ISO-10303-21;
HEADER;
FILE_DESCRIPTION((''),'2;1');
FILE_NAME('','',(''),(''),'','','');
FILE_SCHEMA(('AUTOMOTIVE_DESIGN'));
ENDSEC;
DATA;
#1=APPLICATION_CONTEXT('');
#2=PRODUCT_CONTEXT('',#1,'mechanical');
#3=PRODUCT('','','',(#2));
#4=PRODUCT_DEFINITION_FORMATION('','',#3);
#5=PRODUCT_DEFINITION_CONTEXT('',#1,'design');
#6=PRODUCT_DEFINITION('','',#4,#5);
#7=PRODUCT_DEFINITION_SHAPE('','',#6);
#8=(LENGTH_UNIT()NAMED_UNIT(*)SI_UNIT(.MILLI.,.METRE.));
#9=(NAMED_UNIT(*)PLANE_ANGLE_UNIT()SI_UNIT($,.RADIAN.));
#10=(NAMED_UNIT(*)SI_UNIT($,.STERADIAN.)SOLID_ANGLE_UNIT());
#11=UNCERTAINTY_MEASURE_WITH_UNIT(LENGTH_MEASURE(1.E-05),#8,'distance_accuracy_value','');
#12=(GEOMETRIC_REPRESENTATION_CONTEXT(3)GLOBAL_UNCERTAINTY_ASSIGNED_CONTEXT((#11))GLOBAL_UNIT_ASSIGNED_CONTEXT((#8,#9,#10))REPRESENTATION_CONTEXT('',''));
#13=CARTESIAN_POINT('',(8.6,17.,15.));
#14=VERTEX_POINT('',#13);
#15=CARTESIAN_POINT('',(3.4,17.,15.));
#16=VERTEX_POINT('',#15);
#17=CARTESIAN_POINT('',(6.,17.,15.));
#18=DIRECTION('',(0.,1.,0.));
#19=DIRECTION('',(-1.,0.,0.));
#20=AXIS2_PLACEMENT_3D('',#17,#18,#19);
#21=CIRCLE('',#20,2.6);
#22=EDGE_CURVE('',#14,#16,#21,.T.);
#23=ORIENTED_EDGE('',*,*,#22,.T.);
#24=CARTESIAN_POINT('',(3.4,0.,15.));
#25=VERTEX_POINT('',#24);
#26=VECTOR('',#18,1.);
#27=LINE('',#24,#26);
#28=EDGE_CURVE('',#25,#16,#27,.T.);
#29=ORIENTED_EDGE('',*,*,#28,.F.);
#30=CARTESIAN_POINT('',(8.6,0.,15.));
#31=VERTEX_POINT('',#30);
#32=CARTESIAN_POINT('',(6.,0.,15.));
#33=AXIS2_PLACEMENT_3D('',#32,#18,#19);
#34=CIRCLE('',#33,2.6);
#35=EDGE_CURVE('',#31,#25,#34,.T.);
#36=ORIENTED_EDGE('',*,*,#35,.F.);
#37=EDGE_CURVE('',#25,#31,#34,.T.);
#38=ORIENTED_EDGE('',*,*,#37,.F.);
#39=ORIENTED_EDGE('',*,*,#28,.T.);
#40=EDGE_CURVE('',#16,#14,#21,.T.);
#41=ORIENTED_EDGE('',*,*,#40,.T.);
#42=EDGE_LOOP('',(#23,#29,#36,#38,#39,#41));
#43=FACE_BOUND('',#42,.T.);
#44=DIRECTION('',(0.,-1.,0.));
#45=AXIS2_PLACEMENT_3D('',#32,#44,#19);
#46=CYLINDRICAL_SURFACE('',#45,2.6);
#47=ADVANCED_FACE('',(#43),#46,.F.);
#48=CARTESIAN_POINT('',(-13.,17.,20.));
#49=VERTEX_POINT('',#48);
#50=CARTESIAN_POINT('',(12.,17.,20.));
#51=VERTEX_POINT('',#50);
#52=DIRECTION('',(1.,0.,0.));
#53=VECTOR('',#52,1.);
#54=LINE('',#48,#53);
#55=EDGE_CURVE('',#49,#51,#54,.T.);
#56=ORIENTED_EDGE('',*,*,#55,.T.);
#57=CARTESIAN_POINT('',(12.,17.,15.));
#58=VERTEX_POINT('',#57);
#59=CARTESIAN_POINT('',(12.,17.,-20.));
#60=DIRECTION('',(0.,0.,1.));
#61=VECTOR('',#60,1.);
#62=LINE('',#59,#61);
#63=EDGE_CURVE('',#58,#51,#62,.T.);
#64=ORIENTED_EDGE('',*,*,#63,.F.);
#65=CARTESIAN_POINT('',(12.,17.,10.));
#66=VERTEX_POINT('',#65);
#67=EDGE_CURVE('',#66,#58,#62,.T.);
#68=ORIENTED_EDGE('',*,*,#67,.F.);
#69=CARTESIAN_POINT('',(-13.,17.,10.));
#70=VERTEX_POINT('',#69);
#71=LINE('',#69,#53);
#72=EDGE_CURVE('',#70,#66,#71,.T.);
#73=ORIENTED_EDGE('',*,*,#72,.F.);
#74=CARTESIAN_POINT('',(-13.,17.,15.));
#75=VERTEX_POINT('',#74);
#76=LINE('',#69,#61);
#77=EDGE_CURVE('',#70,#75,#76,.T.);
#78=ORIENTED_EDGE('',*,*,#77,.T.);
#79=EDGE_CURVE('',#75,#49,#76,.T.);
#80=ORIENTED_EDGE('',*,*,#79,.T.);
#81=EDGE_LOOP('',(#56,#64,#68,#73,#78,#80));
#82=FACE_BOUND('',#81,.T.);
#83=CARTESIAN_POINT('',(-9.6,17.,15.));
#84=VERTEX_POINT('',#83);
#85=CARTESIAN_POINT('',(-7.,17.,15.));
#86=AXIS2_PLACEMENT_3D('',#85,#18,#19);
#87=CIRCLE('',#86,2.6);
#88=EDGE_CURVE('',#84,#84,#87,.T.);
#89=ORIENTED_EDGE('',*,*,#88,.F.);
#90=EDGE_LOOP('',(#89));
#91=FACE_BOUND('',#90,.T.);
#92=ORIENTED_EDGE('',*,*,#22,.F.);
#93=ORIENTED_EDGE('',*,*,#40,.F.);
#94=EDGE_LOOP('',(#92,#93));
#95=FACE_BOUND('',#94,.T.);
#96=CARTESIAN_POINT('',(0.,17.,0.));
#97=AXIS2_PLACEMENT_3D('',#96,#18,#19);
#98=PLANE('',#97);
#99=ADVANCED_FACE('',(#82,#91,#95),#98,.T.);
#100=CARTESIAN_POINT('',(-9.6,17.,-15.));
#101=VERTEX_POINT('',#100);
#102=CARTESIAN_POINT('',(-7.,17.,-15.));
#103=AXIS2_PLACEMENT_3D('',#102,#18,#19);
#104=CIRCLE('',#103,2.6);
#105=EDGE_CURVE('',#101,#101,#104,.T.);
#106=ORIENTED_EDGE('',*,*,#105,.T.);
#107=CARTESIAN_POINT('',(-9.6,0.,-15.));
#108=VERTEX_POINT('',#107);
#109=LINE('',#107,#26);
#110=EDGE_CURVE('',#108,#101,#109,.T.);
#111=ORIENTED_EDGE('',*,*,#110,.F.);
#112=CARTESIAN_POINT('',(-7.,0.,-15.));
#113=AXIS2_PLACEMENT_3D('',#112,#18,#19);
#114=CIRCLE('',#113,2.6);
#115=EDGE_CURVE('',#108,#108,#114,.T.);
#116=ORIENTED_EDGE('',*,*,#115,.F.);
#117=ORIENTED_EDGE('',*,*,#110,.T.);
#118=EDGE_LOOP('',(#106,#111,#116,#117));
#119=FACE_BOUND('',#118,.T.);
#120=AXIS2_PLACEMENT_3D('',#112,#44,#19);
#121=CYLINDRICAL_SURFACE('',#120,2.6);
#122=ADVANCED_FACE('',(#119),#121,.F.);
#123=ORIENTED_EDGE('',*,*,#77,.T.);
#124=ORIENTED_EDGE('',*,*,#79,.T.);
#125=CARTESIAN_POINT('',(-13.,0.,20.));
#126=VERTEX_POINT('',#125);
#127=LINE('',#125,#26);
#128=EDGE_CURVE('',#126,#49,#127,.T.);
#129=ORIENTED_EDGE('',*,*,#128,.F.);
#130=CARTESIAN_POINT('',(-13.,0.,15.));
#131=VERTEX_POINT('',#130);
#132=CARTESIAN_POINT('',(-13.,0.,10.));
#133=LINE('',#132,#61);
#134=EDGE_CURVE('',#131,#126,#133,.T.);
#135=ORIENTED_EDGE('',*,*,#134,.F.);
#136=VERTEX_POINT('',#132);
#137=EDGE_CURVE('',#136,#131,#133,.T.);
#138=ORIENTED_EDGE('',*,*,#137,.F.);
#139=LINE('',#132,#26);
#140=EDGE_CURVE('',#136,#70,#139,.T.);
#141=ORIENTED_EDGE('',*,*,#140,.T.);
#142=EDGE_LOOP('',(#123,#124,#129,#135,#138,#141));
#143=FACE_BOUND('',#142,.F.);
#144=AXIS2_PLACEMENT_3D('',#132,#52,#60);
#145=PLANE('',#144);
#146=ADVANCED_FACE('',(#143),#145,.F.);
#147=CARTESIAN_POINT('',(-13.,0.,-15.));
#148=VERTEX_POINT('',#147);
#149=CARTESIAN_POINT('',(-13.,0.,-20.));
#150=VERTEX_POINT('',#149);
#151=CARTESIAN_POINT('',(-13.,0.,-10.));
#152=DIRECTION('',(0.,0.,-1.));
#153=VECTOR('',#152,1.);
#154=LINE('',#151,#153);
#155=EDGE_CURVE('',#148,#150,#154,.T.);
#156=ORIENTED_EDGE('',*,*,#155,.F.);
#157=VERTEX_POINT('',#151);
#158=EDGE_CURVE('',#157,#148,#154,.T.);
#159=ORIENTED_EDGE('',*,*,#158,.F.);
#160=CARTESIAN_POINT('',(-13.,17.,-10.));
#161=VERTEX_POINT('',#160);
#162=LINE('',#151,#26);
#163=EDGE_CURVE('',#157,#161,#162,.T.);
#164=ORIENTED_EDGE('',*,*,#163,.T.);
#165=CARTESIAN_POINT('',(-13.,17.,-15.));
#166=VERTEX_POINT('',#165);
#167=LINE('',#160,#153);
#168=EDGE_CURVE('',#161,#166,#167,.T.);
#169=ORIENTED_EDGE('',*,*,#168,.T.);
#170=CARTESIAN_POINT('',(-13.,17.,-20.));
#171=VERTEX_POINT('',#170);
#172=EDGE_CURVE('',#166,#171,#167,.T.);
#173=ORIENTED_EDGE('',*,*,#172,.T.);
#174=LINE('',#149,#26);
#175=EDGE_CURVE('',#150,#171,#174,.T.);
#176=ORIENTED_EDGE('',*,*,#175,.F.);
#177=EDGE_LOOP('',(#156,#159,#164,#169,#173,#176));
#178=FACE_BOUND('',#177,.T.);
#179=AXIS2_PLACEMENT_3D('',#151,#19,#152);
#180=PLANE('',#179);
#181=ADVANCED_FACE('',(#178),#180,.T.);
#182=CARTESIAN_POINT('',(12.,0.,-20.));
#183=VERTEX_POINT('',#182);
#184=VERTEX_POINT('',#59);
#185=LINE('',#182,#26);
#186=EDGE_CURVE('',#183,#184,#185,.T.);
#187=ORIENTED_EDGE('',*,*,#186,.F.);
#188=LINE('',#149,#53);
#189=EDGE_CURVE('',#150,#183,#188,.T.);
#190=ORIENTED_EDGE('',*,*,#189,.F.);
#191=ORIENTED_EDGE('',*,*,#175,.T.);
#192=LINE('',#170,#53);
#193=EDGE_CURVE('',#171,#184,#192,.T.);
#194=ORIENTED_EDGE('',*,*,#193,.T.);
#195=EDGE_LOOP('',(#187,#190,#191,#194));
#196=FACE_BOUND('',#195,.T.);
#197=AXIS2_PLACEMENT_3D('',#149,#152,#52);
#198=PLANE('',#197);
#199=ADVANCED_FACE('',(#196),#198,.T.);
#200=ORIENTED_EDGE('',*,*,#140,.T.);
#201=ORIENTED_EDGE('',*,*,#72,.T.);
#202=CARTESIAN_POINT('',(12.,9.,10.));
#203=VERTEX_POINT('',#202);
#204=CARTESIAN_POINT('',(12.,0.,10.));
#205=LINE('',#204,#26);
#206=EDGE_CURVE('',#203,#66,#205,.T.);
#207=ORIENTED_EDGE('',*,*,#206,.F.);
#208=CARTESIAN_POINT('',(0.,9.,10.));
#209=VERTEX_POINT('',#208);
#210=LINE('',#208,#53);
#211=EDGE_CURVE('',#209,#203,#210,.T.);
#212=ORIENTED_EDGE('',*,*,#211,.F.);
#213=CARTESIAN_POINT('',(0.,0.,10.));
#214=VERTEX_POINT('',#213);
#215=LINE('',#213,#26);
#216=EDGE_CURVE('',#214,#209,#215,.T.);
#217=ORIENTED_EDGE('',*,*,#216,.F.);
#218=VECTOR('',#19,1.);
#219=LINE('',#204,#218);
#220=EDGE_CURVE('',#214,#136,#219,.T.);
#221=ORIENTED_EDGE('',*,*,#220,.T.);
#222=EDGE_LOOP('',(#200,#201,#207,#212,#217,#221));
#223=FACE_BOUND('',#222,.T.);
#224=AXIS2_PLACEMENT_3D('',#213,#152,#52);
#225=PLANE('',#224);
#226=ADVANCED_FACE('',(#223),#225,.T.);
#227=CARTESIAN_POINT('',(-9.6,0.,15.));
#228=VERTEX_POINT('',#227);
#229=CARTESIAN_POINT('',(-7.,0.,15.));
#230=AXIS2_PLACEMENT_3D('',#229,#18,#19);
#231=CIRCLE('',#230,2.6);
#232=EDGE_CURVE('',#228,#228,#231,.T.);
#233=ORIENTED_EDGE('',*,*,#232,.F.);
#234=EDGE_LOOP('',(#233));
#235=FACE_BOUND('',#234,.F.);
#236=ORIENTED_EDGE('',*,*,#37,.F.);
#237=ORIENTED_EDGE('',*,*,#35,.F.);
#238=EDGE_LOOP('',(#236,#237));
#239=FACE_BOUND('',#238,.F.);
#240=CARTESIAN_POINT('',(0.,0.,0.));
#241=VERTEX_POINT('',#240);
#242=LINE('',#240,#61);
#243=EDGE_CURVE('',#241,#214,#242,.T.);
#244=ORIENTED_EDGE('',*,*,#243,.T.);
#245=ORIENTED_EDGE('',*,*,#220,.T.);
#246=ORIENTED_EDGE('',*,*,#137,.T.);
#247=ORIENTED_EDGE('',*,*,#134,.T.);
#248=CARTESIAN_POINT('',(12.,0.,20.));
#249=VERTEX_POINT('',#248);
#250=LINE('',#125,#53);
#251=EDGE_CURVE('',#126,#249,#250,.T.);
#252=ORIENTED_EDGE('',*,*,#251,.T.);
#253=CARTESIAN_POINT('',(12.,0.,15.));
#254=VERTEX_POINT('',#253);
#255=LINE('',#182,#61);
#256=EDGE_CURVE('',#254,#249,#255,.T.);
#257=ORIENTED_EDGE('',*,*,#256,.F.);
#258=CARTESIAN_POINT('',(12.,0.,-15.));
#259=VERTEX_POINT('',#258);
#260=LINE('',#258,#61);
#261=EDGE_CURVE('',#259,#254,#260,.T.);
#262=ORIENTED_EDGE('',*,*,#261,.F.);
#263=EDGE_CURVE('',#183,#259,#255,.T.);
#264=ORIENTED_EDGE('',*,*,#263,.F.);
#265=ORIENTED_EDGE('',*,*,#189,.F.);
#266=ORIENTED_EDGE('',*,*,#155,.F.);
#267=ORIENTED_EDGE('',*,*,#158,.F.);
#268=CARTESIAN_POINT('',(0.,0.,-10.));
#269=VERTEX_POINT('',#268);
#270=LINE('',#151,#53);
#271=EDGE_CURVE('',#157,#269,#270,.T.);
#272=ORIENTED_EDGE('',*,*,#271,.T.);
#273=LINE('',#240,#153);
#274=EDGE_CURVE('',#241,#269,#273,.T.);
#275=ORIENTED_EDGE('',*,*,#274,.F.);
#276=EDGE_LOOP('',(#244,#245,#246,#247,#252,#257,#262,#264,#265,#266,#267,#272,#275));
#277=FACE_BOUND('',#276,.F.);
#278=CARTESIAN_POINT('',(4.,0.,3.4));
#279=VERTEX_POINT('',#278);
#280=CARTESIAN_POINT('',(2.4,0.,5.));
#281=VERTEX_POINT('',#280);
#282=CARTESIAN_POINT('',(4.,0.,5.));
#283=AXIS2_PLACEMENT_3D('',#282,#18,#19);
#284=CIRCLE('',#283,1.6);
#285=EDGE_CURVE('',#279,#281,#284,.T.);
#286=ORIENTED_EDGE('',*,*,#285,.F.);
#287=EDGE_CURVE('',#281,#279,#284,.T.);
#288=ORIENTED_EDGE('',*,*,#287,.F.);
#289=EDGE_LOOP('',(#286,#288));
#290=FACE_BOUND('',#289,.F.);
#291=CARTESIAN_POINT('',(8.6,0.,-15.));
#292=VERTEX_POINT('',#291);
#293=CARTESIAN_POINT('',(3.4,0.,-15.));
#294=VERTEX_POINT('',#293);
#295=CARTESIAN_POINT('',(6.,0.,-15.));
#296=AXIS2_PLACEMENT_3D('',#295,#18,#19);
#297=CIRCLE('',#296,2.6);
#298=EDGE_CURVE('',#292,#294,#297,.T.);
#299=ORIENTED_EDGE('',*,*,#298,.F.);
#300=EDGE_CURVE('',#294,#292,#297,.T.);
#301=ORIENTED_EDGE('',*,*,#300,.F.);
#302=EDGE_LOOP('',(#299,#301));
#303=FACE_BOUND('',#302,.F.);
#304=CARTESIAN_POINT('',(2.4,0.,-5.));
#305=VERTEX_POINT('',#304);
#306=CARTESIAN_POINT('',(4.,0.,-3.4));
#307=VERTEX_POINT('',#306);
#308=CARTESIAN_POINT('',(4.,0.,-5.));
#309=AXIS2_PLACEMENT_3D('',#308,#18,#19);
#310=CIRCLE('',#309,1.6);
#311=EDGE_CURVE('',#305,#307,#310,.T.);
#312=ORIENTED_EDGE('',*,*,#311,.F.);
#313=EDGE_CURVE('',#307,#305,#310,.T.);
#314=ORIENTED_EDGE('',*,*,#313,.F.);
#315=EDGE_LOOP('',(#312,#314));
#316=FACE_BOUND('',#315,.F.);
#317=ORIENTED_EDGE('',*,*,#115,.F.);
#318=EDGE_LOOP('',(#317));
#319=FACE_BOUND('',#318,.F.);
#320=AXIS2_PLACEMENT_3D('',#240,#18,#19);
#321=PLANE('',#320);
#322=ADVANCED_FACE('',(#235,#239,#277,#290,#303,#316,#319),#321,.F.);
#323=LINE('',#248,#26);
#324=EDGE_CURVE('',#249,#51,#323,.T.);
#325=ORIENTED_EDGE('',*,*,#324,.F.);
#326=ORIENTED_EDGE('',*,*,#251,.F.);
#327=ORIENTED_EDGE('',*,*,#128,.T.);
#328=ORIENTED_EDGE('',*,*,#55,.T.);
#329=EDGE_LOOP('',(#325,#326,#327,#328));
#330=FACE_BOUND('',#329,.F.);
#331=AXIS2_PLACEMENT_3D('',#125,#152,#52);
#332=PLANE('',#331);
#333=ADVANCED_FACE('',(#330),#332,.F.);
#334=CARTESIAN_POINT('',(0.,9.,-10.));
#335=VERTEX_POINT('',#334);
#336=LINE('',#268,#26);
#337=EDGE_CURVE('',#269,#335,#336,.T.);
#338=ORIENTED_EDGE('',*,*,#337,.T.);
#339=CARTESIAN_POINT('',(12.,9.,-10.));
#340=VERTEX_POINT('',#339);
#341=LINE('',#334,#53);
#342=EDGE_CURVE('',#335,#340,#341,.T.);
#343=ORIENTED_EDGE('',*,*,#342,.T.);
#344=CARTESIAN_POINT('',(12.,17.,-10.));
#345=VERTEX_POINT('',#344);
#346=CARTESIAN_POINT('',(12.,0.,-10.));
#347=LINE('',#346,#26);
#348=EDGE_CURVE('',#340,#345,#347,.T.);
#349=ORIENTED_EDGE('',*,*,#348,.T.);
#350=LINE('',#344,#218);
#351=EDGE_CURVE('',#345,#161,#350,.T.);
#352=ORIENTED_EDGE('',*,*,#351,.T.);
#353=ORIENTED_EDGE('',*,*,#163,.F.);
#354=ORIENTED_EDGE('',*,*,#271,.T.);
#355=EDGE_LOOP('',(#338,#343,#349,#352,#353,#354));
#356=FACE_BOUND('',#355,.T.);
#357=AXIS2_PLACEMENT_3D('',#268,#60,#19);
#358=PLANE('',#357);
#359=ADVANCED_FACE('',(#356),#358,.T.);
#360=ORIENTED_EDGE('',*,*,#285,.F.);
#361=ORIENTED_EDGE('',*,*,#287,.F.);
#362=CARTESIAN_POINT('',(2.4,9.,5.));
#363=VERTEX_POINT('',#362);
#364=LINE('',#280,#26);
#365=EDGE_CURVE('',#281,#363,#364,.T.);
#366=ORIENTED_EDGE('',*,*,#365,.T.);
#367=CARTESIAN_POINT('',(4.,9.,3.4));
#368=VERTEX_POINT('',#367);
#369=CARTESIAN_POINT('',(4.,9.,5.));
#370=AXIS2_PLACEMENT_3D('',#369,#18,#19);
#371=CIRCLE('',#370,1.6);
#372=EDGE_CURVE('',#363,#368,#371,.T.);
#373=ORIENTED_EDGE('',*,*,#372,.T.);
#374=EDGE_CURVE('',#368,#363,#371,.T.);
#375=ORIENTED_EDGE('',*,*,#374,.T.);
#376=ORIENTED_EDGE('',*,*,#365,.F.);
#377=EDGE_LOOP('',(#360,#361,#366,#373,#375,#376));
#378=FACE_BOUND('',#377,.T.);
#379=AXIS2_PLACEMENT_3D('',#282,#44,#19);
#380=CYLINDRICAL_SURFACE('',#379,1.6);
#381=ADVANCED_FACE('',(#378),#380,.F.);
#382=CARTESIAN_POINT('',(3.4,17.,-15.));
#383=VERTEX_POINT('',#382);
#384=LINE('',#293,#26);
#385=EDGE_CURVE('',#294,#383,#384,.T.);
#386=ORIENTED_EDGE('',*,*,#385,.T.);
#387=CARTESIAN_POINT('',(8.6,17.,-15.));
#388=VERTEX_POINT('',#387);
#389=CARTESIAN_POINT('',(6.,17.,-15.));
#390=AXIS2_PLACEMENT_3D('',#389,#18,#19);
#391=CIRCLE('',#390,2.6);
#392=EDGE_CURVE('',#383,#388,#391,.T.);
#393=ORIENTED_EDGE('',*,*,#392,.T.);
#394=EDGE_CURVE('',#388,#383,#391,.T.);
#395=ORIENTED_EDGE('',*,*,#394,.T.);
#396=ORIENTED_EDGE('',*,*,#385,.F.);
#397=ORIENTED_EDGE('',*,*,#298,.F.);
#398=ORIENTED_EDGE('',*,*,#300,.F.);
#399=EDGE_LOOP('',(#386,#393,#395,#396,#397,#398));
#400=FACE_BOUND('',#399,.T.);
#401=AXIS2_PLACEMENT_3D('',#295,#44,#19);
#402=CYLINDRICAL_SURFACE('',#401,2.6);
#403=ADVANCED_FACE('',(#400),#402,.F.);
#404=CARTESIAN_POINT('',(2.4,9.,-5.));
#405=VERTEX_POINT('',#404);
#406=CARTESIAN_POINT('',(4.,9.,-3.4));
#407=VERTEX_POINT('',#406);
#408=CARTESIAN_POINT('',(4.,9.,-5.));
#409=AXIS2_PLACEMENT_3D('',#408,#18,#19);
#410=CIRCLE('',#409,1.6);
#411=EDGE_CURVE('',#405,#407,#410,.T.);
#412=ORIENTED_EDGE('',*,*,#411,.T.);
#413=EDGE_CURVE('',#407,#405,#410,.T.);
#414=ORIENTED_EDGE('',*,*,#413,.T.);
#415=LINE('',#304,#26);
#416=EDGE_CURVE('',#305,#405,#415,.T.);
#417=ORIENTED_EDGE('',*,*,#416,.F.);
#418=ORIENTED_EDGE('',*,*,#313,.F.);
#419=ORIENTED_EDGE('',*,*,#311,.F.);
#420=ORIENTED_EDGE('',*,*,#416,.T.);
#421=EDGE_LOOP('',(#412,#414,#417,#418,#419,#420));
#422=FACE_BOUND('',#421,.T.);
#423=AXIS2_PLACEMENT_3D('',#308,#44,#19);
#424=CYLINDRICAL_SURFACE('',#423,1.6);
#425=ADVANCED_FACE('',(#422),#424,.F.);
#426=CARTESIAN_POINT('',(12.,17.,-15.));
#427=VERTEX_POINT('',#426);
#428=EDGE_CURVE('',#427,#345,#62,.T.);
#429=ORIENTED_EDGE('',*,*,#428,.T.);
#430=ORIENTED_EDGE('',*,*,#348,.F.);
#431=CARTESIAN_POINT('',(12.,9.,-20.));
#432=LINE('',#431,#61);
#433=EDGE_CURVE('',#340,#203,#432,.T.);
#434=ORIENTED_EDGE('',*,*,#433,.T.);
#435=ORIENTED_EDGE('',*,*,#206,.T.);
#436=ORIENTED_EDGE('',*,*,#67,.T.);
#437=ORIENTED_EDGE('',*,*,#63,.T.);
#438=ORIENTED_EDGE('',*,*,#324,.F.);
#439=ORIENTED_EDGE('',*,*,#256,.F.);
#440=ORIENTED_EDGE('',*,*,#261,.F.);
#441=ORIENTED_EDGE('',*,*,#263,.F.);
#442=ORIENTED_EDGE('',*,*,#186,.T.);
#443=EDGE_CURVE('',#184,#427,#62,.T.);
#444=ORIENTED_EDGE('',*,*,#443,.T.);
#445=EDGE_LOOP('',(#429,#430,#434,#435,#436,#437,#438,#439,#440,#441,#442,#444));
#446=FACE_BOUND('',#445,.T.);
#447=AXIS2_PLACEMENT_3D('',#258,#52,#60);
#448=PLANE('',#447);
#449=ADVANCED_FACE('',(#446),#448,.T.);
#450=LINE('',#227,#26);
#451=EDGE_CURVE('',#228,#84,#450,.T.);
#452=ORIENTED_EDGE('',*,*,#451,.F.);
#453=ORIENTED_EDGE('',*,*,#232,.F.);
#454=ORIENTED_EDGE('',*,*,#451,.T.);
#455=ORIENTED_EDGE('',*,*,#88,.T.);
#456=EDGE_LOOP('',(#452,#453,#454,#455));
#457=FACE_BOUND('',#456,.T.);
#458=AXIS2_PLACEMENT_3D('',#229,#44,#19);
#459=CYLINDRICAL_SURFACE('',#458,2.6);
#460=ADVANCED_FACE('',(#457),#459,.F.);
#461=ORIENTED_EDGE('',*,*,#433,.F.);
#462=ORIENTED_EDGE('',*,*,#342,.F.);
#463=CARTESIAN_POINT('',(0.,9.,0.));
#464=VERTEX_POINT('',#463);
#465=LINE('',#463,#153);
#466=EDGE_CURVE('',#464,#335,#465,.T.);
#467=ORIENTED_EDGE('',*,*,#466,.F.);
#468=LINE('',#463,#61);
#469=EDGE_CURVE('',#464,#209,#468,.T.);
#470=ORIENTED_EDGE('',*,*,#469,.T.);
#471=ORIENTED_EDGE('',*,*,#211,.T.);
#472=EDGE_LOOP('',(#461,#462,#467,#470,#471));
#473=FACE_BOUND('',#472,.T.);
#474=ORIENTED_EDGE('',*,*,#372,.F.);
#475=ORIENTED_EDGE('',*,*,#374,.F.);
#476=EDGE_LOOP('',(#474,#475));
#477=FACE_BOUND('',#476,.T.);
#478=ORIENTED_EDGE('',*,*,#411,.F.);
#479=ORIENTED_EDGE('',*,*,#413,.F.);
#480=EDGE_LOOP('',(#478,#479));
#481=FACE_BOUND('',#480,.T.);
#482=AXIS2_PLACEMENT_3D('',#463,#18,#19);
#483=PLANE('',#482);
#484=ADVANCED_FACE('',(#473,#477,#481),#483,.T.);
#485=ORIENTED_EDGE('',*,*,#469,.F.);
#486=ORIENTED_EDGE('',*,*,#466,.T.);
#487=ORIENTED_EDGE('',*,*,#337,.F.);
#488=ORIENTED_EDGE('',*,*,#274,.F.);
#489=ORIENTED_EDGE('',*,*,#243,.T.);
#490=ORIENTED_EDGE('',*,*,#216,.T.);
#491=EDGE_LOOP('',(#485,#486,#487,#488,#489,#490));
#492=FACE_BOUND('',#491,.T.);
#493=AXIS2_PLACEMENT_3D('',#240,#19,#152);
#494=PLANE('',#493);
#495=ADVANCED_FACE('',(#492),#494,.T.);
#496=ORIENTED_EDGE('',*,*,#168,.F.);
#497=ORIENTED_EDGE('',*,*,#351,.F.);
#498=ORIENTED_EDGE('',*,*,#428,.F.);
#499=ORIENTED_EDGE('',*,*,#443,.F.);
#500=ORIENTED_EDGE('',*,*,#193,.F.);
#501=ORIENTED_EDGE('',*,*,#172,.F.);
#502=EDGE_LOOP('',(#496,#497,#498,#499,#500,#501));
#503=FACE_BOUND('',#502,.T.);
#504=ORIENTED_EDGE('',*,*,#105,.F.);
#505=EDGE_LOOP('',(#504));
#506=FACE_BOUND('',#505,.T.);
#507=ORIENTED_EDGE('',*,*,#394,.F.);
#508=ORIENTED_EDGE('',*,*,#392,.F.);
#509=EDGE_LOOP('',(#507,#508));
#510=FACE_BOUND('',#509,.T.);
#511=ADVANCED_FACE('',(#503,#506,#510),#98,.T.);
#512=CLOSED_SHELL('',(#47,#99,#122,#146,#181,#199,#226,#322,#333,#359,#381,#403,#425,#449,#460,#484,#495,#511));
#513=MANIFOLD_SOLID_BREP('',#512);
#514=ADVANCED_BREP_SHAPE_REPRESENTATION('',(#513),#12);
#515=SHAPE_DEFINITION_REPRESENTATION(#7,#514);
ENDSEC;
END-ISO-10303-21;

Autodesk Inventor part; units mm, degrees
ref_plane "YZ Plane" through (0, 0, 0) normal (1, 0, 0) x (0, 1, 0)
ref_plane "XZ Plane" through (0, 0, 0) normal (0, 1, 0) x (-1, 0, 0)
ref_plane "XY Plane" through (0, 0, 0) normal (0, 0, 1) x (1, 0, 0)
sketch "Sketch1" plane through (0, 0, 0) normal (0, 1, 0) x (-1, 0, 0)
  line L0 (0, 0) -> (0, -10)
  line L1 (0, 0) -> (0, 10)
  line L2 (0, 10) -> (13, 10)
  line L3 (13, 10) -> (13, 20)
  line L4 (13, 20) -> (-12, 20)
  line L5 (0, -10) -> (13, -10)
  line L6 (13, -10) -> (13, -20)
  line L7 (13, -20) -> (-12, -20)
  line L8 (-12, -20) -> (-12, 20)
  line L9 (-12, 15) -> (-6, 15)
  line L10 (13, 15) -> (7, 15)
  line L11 (13, -15) -> (7, -15)
  line L12 (-12, -15) -> (-6, -15)
  circle A0 centre (7, 15) radius 2.6
  circle A1 centre (-6, 15) radius 2.6
  circle A2 centre (-6, -15) radius 2.6
  circle A3 centre (7, -15) radius 2.6
  line L13 (0, 0) -> (-4, 0)
  line L14 (-4, 0) -> (-4, -5)
  line L15 (-4, 0) -> (-4, 5)
  circle A4 centre (-4, 5) radius 1.6
  circle A5 centre (-4, -5) radius 1.6
  line L16 (0, 10) -> (-12, 10)
  line L17 (0, -10) -> (-12, -10)
  line L18 (13, -15) -> (9.6, -15)
  line L19 (-8.6, -15) -> (-12, -15)
  line L20 (13, 15) -> (9.6, 15)
  line L21 (-8.6, 15) -> (-12, 15)
  dimension "d12" = 5.2
  dimension "d13" = 5.2
  dimension "d14" = 5.2
  dimension "d15" = 5.2
  dimension "d0" = 10
  dimension "d1" = 10
  dimension "d2" = 13
  dimension "d3" = 10
  dimension "d4" = 25
  dimension "d5" = 13
  dimension "d6" = 10
  dimension "d7" = 25
  dimension "d8" = 6
  dimension "d9" = 6
  dimension "d10" = 6
  dimension "d11" = 6
  dimension "d16" = 4
  dimension "d17" = 5
  dimension "d18" = 5
  dimension "d19" = 3.2
  dimension "d20" = 3.2
extrude "Extrusion1" add sketch "Sketch1" along normal blind 17 contours L5 L6 L7 L8 L17 | L16 L8 L4 L3 L2
extrude "Extrusion2" add sketch "Sketch1" along normal blind 9 contours L0 L17 L8 L16 L1
properties part number "servo_clip_holder1_final"
